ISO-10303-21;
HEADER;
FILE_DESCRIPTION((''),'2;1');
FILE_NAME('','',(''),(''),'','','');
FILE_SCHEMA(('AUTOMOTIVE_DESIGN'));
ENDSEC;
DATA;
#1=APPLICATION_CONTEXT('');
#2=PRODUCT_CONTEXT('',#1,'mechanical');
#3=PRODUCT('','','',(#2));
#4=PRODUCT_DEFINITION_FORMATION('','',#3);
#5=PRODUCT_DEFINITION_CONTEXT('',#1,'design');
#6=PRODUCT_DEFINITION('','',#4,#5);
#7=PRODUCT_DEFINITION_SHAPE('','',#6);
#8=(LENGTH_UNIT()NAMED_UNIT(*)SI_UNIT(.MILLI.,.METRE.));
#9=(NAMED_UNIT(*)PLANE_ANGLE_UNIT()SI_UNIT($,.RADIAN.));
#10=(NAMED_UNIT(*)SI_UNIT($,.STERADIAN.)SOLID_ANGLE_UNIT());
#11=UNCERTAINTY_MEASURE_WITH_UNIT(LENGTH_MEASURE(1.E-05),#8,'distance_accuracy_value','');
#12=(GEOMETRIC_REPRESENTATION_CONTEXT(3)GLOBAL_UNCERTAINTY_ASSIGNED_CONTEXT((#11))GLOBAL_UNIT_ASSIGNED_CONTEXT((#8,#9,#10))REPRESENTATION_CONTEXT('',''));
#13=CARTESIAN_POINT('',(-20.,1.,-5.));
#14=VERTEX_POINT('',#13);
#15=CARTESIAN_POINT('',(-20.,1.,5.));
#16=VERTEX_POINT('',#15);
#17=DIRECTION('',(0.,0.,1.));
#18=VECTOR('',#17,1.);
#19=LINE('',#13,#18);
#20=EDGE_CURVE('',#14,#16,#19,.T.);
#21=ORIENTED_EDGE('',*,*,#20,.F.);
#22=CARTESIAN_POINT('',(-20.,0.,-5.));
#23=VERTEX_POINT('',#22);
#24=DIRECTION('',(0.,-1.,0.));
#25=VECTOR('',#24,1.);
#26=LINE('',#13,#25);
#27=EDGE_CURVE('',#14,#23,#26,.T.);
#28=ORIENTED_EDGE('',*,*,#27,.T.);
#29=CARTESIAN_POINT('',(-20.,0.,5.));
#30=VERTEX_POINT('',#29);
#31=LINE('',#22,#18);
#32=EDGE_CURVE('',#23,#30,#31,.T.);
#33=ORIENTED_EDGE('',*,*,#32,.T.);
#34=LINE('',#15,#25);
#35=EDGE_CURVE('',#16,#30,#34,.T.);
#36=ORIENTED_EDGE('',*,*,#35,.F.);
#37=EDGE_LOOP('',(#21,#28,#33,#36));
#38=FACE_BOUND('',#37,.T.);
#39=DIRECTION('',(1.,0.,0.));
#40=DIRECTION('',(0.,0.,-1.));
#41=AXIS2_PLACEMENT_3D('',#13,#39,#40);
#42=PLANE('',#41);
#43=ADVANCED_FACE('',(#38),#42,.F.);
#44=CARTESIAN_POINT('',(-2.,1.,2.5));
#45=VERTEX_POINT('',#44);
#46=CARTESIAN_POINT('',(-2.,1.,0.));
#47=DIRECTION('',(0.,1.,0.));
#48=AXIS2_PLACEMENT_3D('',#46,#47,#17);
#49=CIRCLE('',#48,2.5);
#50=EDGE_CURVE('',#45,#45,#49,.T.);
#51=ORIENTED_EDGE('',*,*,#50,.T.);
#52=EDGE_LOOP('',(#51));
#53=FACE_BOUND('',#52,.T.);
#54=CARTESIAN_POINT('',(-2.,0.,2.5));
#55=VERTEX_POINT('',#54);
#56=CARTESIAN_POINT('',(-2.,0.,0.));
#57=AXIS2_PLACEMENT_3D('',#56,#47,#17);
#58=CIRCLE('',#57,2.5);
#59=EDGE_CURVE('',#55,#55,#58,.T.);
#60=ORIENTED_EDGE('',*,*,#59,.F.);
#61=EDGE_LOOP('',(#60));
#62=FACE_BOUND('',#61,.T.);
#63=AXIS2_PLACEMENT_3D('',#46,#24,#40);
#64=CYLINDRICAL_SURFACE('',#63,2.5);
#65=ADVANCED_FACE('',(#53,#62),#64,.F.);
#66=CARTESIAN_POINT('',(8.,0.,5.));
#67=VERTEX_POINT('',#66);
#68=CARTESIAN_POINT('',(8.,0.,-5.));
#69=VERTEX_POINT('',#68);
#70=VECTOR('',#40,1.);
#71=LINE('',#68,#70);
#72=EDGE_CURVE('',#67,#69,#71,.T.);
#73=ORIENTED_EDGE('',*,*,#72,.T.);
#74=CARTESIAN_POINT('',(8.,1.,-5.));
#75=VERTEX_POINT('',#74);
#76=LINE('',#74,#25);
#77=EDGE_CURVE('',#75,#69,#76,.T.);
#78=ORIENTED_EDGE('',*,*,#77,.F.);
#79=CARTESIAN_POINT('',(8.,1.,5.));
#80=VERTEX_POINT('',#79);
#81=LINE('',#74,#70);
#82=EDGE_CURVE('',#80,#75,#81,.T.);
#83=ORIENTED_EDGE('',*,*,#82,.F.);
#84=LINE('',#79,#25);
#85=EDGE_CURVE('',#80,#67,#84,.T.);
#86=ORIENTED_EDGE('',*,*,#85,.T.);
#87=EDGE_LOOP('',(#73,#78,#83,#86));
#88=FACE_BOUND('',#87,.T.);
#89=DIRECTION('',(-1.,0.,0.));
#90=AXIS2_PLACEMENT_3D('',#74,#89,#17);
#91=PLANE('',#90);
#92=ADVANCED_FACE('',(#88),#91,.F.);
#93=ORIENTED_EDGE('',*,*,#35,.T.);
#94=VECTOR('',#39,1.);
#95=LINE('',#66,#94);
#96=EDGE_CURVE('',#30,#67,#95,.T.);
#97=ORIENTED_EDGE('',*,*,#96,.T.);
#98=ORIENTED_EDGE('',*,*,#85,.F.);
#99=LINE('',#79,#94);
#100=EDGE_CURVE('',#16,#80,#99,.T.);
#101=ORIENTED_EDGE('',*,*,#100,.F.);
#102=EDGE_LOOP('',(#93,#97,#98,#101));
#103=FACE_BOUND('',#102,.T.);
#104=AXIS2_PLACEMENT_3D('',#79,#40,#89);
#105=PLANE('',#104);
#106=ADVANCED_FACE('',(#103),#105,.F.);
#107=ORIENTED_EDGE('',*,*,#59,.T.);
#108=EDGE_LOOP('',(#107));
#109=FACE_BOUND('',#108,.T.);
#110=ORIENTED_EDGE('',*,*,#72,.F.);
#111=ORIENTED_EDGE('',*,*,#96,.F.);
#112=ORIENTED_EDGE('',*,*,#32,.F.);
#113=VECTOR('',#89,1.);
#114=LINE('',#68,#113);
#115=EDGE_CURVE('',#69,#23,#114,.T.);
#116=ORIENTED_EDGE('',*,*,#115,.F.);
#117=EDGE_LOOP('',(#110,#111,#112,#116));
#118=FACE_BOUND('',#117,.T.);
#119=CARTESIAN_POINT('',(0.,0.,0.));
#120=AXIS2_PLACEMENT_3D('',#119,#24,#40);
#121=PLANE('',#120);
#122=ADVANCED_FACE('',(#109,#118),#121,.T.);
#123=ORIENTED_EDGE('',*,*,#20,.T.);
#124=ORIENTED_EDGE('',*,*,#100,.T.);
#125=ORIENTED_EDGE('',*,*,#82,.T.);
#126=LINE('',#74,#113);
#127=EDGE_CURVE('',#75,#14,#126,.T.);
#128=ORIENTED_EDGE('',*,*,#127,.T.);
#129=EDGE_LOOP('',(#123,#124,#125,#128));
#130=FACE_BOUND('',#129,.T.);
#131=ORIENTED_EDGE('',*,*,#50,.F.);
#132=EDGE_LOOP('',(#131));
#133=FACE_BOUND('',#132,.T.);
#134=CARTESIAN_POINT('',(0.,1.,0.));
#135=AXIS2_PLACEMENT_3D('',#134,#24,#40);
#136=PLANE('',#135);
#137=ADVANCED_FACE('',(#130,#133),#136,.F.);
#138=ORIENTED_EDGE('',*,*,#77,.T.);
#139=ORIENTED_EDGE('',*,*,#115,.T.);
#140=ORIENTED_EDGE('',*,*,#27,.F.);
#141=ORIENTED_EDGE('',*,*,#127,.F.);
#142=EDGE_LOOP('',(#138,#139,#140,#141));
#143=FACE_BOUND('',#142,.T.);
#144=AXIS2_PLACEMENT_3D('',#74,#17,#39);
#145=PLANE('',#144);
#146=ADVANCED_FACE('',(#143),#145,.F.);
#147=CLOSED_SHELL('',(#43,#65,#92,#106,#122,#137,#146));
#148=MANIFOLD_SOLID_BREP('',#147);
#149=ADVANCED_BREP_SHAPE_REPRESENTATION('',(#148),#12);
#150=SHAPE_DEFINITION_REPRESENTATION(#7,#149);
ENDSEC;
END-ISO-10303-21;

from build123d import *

# Parameters (mm, degrees)
SKETCH_1_W      = 28
SKETCH_1_H      = 10
SKETCH_1_R      = 2.5
EXTRUDE_1_DEPTH = 1


with BuildPart() as part:
    # 草图1 → 凸台-拉伸1 (new body)
    with BuildSketch(Plane(origin=(0, 0, 0), x_dir=(1, 0, 0), z_dir=(0, 1, 0))):
        with Locations((-6, 0)):
            Rectangle(SKETCH_1_W, SKETCH_1_H)
        with Locations(Location((-2, 0, 0), (0, 0, 270))):
            Circle(SKETCH_1_R, mode=Mode.SUBTRACT)
    extrude(amount=EXTRUDE_1_DEPTH)


solid = part.part
